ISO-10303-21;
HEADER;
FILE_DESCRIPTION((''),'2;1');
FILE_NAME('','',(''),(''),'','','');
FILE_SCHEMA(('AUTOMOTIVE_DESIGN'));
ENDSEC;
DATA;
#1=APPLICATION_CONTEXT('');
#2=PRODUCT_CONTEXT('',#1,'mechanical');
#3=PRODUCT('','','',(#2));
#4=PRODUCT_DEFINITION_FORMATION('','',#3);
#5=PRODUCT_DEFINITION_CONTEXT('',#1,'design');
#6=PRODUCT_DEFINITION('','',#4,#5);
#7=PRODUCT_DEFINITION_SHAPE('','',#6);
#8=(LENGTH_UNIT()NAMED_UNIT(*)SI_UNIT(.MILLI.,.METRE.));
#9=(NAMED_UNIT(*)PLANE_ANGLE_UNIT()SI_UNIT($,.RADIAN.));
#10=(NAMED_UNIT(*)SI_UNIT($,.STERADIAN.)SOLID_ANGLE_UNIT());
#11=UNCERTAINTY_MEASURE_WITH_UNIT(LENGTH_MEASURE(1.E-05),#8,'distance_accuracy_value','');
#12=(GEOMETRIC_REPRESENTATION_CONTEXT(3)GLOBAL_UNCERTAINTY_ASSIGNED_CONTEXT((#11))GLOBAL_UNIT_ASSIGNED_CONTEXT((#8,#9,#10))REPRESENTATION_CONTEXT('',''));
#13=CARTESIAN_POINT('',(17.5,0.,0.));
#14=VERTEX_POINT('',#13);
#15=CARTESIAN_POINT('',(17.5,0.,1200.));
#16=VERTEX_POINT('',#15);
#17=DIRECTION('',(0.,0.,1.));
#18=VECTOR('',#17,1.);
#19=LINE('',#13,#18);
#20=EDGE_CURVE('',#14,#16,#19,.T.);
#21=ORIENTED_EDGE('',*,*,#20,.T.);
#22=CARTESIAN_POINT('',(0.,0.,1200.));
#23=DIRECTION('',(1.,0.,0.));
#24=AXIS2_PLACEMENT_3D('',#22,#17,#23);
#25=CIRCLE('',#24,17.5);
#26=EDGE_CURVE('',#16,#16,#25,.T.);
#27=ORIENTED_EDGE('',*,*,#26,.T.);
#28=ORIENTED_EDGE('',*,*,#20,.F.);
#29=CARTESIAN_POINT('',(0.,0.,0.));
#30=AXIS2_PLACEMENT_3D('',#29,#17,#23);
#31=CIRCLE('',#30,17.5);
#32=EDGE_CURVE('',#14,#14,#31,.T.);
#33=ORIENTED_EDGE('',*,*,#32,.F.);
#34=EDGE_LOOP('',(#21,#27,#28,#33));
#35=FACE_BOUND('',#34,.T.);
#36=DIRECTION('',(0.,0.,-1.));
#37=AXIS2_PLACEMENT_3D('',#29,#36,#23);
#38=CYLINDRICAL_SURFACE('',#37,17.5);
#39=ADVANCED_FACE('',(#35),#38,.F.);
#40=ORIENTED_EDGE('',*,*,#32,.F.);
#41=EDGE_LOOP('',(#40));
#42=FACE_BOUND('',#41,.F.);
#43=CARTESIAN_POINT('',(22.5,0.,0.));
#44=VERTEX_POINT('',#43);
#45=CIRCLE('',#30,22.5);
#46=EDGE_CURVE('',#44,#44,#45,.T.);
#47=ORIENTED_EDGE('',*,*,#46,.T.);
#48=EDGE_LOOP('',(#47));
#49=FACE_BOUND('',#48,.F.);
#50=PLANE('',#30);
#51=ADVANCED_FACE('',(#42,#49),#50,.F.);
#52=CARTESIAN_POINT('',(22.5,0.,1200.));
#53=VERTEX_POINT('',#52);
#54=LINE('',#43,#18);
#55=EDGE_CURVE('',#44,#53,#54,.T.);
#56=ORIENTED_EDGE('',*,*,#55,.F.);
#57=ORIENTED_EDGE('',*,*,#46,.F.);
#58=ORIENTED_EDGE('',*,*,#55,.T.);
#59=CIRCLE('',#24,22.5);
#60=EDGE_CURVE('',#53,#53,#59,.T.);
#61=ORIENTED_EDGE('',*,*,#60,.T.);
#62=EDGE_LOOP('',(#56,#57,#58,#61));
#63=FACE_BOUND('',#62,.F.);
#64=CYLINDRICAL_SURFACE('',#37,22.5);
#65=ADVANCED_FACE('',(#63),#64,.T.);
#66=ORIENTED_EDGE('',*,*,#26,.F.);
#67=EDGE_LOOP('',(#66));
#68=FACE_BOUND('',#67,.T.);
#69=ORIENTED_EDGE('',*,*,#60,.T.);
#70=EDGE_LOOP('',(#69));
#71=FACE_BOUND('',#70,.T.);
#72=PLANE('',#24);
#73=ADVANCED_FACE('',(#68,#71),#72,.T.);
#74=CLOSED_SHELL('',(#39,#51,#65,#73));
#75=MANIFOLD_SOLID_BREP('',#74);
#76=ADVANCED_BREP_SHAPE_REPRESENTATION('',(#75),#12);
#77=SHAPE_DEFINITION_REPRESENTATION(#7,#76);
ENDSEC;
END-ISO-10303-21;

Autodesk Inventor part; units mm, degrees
ref_plane "YZ Plane" through (0, 0, 0) normal (1, 0, 0) x (0, 1, 0)
ref_plane "XZ Plane" through (0, 0, 0) normal (0, 1, 0) x (-1, 0, 0)
ref_plane "XY Plane" through (0, 0, 0) normal (0, 0, 1) x (1, 0, 0)
sketch "Sketch1" plane through (0, 0, 0) normal (0, 0, 1) x (1, 0, 0)
  circle A0 centre (0, 0) radius 17.5
  circle A1 centre (0, 0) radius 22.5
  dimension "d0" = 35
  dimension "d1" = 45
extrude "Extrusion1" add sketch "Sketch1" along normal blind 1200
properties part number "Roller"
